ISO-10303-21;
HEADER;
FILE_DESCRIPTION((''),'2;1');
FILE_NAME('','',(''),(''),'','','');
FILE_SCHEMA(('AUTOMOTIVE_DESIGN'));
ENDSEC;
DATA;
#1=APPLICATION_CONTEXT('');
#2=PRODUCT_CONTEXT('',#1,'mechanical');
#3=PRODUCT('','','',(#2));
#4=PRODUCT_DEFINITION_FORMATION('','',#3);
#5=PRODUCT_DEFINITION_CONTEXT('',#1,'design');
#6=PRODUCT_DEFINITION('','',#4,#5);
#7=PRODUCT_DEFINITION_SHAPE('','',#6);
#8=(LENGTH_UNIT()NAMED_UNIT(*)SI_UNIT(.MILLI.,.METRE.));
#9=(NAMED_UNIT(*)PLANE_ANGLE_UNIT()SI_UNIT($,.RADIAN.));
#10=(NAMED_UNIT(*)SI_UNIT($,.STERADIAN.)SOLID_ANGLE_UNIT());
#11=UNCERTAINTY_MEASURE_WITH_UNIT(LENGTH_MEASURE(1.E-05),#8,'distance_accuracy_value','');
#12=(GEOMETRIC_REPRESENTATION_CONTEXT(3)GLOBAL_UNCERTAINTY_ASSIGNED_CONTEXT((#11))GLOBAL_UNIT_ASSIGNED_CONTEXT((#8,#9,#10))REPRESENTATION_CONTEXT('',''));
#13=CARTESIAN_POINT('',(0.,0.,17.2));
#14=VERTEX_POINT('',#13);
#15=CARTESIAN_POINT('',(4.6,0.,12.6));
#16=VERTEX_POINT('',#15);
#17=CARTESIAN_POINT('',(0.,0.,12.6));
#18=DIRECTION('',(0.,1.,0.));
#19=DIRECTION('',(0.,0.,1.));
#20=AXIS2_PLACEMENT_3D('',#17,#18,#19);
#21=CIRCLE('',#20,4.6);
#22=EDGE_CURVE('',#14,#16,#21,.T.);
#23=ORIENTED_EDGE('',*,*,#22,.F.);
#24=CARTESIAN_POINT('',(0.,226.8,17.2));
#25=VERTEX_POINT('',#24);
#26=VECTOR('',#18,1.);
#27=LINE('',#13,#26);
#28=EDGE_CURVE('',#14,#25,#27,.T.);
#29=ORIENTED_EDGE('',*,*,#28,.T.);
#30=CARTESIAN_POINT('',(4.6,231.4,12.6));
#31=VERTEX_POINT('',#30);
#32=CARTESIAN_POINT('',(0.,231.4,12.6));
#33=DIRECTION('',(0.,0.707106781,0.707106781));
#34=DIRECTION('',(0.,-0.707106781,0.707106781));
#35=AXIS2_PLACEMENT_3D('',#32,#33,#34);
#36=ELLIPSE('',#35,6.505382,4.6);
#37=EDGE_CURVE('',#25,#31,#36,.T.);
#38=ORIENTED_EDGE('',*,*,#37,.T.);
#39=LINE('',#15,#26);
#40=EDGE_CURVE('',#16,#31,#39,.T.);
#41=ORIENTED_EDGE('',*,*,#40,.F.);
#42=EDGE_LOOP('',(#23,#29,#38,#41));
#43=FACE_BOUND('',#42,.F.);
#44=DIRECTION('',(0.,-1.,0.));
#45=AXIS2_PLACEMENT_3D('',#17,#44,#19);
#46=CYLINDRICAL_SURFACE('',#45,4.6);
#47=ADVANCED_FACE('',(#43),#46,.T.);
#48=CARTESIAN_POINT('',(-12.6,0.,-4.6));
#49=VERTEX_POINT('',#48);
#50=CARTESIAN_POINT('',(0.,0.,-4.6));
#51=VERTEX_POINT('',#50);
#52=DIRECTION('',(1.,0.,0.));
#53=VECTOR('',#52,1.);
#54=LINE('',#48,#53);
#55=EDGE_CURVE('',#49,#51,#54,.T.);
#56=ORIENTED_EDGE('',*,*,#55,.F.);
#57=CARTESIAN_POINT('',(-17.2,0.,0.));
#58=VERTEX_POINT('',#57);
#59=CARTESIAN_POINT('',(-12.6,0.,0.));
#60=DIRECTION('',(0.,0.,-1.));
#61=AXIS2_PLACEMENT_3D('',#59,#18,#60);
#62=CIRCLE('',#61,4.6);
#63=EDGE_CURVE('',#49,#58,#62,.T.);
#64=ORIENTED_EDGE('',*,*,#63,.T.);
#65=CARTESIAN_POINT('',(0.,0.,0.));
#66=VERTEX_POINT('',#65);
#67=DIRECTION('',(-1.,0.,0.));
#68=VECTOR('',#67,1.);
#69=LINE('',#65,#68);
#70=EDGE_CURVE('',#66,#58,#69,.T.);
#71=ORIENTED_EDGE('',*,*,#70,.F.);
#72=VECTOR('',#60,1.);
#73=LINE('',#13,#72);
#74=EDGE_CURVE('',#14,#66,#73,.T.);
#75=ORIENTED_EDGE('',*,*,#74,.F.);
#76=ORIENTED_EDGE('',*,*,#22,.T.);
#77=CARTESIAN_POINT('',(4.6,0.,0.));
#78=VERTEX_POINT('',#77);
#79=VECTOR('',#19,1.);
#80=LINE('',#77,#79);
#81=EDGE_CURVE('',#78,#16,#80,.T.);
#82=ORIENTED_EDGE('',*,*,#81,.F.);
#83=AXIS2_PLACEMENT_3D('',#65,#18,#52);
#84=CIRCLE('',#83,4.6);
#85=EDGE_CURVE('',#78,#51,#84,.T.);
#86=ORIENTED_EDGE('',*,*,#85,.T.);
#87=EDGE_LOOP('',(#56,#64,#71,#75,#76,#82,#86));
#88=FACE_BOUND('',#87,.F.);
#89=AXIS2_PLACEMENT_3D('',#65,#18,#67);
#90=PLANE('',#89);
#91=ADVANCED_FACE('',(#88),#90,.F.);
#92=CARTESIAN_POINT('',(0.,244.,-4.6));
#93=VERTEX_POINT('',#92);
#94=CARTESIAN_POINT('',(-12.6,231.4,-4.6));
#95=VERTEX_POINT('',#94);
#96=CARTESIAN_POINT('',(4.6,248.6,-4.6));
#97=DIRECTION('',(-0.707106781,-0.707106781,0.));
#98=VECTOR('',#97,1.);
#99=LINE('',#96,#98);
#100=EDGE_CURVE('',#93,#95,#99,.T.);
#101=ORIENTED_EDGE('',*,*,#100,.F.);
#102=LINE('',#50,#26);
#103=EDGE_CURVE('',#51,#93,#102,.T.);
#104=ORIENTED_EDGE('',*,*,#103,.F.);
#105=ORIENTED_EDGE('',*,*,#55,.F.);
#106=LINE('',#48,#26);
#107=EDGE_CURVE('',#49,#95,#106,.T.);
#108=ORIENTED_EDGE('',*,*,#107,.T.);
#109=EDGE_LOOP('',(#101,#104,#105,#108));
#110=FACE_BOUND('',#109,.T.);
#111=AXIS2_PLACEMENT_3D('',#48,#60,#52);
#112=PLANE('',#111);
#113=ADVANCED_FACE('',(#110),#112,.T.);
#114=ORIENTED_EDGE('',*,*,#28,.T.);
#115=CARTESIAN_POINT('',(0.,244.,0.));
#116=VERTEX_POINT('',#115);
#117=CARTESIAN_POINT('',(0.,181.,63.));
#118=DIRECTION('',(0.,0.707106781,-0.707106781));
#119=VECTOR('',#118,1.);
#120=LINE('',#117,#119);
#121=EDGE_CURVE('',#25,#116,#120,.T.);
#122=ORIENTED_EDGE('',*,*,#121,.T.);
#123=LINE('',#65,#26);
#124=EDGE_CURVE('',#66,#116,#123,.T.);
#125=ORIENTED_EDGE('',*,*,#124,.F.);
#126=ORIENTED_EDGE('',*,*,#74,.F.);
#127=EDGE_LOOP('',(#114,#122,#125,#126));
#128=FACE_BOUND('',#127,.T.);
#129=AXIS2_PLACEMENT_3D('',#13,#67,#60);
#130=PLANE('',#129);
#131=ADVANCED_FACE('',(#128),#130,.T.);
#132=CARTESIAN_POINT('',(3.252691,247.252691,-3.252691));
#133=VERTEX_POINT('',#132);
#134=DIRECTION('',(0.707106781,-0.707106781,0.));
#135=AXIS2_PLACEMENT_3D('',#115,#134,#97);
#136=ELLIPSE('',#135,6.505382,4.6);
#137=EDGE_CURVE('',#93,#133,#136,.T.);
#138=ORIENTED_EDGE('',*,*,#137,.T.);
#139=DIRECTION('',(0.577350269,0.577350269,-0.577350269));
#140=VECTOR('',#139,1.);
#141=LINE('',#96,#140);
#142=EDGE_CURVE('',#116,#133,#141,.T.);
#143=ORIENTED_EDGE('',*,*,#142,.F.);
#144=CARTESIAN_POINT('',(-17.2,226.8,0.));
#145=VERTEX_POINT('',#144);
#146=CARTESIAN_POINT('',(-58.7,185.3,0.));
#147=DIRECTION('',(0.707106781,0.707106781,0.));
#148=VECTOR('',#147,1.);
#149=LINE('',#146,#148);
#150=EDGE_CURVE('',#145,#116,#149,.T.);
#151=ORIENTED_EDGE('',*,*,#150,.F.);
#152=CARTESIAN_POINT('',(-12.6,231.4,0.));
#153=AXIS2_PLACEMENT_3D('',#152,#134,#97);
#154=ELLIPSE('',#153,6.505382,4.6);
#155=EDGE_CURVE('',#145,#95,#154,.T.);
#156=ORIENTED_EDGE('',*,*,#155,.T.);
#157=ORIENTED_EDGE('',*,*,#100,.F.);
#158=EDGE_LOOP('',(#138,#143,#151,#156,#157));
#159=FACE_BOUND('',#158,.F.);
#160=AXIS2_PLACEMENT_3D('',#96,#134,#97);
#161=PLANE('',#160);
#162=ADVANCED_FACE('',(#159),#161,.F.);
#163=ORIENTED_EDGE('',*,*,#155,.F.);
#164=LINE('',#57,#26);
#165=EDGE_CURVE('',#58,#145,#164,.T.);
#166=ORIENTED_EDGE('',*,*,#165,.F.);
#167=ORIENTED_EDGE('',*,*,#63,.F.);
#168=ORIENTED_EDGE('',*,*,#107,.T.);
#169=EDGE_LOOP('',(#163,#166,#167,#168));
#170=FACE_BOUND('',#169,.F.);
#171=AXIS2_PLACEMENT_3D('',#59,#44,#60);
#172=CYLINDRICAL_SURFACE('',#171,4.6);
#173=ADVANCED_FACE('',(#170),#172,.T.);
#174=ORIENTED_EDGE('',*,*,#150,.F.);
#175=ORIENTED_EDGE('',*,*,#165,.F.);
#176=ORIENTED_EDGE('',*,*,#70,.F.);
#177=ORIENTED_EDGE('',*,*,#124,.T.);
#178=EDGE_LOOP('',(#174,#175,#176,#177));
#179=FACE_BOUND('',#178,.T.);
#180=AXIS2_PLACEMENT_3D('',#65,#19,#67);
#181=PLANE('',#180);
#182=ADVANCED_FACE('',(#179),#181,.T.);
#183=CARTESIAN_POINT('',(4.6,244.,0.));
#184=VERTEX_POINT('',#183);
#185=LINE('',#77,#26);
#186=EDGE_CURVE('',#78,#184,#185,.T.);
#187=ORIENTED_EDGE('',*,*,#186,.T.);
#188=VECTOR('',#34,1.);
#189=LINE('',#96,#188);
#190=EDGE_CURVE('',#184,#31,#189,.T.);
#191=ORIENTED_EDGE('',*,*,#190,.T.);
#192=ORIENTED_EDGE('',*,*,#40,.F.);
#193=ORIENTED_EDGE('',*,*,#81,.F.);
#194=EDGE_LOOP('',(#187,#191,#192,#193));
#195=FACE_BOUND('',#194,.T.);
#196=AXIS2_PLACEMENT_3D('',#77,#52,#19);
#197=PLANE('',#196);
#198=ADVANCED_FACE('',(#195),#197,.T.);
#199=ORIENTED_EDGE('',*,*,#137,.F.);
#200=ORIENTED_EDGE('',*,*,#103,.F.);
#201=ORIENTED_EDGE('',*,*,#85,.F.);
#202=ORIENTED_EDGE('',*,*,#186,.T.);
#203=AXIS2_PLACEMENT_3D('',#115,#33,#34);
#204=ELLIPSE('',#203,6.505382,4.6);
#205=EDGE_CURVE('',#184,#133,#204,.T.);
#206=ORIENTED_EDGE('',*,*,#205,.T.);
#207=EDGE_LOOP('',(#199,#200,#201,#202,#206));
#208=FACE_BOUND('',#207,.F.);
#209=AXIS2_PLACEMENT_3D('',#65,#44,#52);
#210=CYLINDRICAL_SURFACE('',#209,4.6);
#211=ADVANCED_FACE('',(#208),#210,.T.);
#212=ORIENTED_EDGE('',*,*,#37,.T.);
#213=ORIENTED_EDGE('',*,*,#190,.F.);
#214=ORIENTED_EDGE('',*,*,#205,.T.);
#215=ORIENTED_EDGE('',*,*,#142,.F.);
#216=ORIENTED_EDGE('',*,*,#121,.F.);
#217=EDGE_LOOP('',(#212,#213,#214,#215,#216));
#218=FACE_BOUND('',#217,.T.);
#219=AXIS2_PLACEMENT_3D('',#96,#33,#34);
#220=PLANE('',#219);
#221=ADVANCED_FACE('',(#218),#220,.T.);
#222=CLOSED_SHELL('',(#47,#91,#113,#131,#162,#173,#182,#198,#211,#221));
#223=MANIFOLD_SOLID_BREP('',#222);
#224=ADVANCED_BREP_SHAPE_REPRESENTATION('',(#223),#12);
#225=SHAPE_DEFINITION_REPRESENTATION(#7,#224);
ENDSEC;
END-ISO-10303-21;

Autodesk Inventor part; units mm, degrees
ref_plane "YZ Plane" through (0, 0, 0) normal (1, 0, 0) x (0, 1, 0)
ref_plane "XZ Plane" through (0, 0, 0) normal (0, 1, 0) x (-1, 0, 0)
ref_plane "XY Plane" through (0, 0, 0) normal (0, 0, 1) x (1, 0, 0)
sketch "Skizze1" plane through (0, 0, 0) normal (0, 1, 0) x (-1, 0, 0)
  arc A0 (-4.6, 0) -> (0, -4.6) centre (0, 0) ccw
  line L0 (-4.6, 0) -> (-4.6, 12.6)
  arc A1 (0, 17.2) -> (-4.6, 12.6) centre (0, 12.6) ccw
  line L1 (0, 17.2) -> (0, 0)
  line L2 (0, 0) -> (17.2, 0)
  arc A2 (12.6, -4.6) -> (17.2, 0) centre (12.6, 0) ccw
  line L3 (12.6, -4.6) -> (0, -4.6)
  dimension "d0" = 4.6
  dimension "d1" = 21.8
extrude "Extrusion1" add sketch "Skizze1" along normal blind 248.6
sketch "Skizze2" plane through (4.6, 0, 12.6) normal (1, 0, 0) x (0, 0, -1)
  line L0 (17.2, 0) -> (17.2, 248.6) projected
  line L1 (17.2, 248.6) -> (-4.6, 226.8)
  line L2 (-4.6, 0) -> (-4.6, 248.6) projected
  line L3 (-4.6, 226.8) -> (-4.6, 248.6)
  line L4 (17.2, 248.6) -> (12.6, 248.6) projected
  line L5 (-4.6, 248.6) -> (17.2, 248.6)
  point P0 (12.6, 0)
  dimension "d4" = 45
extrude "Extrusion2" cut sketch "Skizze2" against normal through all
sketch "Skizze3" plane through (0, 0, -4.6) normal (0, 0, -1) x (-1, 0, 0)
  line L0 (-4.6, 0) -> (-4.6, 244) projected
  line L1 (17.2, 248.6) -> (-4.6, 248.6)
  line L2 (-4.6, 248.6) -> (17.2, 226.8)
  line L3 (17.2, 0) -> (17.2, 244) projected
  line L4 (17.2, 248.6) -> (17.2, 226.8)
  point P0 (0, 0)
  point P1 (0, 248.6)
  dimension "d9" = 45
extrude "Extrusion3" cut sketch "Skizze3" against normal through all
properties part number "eckeHochkant" material "Kiefer"
